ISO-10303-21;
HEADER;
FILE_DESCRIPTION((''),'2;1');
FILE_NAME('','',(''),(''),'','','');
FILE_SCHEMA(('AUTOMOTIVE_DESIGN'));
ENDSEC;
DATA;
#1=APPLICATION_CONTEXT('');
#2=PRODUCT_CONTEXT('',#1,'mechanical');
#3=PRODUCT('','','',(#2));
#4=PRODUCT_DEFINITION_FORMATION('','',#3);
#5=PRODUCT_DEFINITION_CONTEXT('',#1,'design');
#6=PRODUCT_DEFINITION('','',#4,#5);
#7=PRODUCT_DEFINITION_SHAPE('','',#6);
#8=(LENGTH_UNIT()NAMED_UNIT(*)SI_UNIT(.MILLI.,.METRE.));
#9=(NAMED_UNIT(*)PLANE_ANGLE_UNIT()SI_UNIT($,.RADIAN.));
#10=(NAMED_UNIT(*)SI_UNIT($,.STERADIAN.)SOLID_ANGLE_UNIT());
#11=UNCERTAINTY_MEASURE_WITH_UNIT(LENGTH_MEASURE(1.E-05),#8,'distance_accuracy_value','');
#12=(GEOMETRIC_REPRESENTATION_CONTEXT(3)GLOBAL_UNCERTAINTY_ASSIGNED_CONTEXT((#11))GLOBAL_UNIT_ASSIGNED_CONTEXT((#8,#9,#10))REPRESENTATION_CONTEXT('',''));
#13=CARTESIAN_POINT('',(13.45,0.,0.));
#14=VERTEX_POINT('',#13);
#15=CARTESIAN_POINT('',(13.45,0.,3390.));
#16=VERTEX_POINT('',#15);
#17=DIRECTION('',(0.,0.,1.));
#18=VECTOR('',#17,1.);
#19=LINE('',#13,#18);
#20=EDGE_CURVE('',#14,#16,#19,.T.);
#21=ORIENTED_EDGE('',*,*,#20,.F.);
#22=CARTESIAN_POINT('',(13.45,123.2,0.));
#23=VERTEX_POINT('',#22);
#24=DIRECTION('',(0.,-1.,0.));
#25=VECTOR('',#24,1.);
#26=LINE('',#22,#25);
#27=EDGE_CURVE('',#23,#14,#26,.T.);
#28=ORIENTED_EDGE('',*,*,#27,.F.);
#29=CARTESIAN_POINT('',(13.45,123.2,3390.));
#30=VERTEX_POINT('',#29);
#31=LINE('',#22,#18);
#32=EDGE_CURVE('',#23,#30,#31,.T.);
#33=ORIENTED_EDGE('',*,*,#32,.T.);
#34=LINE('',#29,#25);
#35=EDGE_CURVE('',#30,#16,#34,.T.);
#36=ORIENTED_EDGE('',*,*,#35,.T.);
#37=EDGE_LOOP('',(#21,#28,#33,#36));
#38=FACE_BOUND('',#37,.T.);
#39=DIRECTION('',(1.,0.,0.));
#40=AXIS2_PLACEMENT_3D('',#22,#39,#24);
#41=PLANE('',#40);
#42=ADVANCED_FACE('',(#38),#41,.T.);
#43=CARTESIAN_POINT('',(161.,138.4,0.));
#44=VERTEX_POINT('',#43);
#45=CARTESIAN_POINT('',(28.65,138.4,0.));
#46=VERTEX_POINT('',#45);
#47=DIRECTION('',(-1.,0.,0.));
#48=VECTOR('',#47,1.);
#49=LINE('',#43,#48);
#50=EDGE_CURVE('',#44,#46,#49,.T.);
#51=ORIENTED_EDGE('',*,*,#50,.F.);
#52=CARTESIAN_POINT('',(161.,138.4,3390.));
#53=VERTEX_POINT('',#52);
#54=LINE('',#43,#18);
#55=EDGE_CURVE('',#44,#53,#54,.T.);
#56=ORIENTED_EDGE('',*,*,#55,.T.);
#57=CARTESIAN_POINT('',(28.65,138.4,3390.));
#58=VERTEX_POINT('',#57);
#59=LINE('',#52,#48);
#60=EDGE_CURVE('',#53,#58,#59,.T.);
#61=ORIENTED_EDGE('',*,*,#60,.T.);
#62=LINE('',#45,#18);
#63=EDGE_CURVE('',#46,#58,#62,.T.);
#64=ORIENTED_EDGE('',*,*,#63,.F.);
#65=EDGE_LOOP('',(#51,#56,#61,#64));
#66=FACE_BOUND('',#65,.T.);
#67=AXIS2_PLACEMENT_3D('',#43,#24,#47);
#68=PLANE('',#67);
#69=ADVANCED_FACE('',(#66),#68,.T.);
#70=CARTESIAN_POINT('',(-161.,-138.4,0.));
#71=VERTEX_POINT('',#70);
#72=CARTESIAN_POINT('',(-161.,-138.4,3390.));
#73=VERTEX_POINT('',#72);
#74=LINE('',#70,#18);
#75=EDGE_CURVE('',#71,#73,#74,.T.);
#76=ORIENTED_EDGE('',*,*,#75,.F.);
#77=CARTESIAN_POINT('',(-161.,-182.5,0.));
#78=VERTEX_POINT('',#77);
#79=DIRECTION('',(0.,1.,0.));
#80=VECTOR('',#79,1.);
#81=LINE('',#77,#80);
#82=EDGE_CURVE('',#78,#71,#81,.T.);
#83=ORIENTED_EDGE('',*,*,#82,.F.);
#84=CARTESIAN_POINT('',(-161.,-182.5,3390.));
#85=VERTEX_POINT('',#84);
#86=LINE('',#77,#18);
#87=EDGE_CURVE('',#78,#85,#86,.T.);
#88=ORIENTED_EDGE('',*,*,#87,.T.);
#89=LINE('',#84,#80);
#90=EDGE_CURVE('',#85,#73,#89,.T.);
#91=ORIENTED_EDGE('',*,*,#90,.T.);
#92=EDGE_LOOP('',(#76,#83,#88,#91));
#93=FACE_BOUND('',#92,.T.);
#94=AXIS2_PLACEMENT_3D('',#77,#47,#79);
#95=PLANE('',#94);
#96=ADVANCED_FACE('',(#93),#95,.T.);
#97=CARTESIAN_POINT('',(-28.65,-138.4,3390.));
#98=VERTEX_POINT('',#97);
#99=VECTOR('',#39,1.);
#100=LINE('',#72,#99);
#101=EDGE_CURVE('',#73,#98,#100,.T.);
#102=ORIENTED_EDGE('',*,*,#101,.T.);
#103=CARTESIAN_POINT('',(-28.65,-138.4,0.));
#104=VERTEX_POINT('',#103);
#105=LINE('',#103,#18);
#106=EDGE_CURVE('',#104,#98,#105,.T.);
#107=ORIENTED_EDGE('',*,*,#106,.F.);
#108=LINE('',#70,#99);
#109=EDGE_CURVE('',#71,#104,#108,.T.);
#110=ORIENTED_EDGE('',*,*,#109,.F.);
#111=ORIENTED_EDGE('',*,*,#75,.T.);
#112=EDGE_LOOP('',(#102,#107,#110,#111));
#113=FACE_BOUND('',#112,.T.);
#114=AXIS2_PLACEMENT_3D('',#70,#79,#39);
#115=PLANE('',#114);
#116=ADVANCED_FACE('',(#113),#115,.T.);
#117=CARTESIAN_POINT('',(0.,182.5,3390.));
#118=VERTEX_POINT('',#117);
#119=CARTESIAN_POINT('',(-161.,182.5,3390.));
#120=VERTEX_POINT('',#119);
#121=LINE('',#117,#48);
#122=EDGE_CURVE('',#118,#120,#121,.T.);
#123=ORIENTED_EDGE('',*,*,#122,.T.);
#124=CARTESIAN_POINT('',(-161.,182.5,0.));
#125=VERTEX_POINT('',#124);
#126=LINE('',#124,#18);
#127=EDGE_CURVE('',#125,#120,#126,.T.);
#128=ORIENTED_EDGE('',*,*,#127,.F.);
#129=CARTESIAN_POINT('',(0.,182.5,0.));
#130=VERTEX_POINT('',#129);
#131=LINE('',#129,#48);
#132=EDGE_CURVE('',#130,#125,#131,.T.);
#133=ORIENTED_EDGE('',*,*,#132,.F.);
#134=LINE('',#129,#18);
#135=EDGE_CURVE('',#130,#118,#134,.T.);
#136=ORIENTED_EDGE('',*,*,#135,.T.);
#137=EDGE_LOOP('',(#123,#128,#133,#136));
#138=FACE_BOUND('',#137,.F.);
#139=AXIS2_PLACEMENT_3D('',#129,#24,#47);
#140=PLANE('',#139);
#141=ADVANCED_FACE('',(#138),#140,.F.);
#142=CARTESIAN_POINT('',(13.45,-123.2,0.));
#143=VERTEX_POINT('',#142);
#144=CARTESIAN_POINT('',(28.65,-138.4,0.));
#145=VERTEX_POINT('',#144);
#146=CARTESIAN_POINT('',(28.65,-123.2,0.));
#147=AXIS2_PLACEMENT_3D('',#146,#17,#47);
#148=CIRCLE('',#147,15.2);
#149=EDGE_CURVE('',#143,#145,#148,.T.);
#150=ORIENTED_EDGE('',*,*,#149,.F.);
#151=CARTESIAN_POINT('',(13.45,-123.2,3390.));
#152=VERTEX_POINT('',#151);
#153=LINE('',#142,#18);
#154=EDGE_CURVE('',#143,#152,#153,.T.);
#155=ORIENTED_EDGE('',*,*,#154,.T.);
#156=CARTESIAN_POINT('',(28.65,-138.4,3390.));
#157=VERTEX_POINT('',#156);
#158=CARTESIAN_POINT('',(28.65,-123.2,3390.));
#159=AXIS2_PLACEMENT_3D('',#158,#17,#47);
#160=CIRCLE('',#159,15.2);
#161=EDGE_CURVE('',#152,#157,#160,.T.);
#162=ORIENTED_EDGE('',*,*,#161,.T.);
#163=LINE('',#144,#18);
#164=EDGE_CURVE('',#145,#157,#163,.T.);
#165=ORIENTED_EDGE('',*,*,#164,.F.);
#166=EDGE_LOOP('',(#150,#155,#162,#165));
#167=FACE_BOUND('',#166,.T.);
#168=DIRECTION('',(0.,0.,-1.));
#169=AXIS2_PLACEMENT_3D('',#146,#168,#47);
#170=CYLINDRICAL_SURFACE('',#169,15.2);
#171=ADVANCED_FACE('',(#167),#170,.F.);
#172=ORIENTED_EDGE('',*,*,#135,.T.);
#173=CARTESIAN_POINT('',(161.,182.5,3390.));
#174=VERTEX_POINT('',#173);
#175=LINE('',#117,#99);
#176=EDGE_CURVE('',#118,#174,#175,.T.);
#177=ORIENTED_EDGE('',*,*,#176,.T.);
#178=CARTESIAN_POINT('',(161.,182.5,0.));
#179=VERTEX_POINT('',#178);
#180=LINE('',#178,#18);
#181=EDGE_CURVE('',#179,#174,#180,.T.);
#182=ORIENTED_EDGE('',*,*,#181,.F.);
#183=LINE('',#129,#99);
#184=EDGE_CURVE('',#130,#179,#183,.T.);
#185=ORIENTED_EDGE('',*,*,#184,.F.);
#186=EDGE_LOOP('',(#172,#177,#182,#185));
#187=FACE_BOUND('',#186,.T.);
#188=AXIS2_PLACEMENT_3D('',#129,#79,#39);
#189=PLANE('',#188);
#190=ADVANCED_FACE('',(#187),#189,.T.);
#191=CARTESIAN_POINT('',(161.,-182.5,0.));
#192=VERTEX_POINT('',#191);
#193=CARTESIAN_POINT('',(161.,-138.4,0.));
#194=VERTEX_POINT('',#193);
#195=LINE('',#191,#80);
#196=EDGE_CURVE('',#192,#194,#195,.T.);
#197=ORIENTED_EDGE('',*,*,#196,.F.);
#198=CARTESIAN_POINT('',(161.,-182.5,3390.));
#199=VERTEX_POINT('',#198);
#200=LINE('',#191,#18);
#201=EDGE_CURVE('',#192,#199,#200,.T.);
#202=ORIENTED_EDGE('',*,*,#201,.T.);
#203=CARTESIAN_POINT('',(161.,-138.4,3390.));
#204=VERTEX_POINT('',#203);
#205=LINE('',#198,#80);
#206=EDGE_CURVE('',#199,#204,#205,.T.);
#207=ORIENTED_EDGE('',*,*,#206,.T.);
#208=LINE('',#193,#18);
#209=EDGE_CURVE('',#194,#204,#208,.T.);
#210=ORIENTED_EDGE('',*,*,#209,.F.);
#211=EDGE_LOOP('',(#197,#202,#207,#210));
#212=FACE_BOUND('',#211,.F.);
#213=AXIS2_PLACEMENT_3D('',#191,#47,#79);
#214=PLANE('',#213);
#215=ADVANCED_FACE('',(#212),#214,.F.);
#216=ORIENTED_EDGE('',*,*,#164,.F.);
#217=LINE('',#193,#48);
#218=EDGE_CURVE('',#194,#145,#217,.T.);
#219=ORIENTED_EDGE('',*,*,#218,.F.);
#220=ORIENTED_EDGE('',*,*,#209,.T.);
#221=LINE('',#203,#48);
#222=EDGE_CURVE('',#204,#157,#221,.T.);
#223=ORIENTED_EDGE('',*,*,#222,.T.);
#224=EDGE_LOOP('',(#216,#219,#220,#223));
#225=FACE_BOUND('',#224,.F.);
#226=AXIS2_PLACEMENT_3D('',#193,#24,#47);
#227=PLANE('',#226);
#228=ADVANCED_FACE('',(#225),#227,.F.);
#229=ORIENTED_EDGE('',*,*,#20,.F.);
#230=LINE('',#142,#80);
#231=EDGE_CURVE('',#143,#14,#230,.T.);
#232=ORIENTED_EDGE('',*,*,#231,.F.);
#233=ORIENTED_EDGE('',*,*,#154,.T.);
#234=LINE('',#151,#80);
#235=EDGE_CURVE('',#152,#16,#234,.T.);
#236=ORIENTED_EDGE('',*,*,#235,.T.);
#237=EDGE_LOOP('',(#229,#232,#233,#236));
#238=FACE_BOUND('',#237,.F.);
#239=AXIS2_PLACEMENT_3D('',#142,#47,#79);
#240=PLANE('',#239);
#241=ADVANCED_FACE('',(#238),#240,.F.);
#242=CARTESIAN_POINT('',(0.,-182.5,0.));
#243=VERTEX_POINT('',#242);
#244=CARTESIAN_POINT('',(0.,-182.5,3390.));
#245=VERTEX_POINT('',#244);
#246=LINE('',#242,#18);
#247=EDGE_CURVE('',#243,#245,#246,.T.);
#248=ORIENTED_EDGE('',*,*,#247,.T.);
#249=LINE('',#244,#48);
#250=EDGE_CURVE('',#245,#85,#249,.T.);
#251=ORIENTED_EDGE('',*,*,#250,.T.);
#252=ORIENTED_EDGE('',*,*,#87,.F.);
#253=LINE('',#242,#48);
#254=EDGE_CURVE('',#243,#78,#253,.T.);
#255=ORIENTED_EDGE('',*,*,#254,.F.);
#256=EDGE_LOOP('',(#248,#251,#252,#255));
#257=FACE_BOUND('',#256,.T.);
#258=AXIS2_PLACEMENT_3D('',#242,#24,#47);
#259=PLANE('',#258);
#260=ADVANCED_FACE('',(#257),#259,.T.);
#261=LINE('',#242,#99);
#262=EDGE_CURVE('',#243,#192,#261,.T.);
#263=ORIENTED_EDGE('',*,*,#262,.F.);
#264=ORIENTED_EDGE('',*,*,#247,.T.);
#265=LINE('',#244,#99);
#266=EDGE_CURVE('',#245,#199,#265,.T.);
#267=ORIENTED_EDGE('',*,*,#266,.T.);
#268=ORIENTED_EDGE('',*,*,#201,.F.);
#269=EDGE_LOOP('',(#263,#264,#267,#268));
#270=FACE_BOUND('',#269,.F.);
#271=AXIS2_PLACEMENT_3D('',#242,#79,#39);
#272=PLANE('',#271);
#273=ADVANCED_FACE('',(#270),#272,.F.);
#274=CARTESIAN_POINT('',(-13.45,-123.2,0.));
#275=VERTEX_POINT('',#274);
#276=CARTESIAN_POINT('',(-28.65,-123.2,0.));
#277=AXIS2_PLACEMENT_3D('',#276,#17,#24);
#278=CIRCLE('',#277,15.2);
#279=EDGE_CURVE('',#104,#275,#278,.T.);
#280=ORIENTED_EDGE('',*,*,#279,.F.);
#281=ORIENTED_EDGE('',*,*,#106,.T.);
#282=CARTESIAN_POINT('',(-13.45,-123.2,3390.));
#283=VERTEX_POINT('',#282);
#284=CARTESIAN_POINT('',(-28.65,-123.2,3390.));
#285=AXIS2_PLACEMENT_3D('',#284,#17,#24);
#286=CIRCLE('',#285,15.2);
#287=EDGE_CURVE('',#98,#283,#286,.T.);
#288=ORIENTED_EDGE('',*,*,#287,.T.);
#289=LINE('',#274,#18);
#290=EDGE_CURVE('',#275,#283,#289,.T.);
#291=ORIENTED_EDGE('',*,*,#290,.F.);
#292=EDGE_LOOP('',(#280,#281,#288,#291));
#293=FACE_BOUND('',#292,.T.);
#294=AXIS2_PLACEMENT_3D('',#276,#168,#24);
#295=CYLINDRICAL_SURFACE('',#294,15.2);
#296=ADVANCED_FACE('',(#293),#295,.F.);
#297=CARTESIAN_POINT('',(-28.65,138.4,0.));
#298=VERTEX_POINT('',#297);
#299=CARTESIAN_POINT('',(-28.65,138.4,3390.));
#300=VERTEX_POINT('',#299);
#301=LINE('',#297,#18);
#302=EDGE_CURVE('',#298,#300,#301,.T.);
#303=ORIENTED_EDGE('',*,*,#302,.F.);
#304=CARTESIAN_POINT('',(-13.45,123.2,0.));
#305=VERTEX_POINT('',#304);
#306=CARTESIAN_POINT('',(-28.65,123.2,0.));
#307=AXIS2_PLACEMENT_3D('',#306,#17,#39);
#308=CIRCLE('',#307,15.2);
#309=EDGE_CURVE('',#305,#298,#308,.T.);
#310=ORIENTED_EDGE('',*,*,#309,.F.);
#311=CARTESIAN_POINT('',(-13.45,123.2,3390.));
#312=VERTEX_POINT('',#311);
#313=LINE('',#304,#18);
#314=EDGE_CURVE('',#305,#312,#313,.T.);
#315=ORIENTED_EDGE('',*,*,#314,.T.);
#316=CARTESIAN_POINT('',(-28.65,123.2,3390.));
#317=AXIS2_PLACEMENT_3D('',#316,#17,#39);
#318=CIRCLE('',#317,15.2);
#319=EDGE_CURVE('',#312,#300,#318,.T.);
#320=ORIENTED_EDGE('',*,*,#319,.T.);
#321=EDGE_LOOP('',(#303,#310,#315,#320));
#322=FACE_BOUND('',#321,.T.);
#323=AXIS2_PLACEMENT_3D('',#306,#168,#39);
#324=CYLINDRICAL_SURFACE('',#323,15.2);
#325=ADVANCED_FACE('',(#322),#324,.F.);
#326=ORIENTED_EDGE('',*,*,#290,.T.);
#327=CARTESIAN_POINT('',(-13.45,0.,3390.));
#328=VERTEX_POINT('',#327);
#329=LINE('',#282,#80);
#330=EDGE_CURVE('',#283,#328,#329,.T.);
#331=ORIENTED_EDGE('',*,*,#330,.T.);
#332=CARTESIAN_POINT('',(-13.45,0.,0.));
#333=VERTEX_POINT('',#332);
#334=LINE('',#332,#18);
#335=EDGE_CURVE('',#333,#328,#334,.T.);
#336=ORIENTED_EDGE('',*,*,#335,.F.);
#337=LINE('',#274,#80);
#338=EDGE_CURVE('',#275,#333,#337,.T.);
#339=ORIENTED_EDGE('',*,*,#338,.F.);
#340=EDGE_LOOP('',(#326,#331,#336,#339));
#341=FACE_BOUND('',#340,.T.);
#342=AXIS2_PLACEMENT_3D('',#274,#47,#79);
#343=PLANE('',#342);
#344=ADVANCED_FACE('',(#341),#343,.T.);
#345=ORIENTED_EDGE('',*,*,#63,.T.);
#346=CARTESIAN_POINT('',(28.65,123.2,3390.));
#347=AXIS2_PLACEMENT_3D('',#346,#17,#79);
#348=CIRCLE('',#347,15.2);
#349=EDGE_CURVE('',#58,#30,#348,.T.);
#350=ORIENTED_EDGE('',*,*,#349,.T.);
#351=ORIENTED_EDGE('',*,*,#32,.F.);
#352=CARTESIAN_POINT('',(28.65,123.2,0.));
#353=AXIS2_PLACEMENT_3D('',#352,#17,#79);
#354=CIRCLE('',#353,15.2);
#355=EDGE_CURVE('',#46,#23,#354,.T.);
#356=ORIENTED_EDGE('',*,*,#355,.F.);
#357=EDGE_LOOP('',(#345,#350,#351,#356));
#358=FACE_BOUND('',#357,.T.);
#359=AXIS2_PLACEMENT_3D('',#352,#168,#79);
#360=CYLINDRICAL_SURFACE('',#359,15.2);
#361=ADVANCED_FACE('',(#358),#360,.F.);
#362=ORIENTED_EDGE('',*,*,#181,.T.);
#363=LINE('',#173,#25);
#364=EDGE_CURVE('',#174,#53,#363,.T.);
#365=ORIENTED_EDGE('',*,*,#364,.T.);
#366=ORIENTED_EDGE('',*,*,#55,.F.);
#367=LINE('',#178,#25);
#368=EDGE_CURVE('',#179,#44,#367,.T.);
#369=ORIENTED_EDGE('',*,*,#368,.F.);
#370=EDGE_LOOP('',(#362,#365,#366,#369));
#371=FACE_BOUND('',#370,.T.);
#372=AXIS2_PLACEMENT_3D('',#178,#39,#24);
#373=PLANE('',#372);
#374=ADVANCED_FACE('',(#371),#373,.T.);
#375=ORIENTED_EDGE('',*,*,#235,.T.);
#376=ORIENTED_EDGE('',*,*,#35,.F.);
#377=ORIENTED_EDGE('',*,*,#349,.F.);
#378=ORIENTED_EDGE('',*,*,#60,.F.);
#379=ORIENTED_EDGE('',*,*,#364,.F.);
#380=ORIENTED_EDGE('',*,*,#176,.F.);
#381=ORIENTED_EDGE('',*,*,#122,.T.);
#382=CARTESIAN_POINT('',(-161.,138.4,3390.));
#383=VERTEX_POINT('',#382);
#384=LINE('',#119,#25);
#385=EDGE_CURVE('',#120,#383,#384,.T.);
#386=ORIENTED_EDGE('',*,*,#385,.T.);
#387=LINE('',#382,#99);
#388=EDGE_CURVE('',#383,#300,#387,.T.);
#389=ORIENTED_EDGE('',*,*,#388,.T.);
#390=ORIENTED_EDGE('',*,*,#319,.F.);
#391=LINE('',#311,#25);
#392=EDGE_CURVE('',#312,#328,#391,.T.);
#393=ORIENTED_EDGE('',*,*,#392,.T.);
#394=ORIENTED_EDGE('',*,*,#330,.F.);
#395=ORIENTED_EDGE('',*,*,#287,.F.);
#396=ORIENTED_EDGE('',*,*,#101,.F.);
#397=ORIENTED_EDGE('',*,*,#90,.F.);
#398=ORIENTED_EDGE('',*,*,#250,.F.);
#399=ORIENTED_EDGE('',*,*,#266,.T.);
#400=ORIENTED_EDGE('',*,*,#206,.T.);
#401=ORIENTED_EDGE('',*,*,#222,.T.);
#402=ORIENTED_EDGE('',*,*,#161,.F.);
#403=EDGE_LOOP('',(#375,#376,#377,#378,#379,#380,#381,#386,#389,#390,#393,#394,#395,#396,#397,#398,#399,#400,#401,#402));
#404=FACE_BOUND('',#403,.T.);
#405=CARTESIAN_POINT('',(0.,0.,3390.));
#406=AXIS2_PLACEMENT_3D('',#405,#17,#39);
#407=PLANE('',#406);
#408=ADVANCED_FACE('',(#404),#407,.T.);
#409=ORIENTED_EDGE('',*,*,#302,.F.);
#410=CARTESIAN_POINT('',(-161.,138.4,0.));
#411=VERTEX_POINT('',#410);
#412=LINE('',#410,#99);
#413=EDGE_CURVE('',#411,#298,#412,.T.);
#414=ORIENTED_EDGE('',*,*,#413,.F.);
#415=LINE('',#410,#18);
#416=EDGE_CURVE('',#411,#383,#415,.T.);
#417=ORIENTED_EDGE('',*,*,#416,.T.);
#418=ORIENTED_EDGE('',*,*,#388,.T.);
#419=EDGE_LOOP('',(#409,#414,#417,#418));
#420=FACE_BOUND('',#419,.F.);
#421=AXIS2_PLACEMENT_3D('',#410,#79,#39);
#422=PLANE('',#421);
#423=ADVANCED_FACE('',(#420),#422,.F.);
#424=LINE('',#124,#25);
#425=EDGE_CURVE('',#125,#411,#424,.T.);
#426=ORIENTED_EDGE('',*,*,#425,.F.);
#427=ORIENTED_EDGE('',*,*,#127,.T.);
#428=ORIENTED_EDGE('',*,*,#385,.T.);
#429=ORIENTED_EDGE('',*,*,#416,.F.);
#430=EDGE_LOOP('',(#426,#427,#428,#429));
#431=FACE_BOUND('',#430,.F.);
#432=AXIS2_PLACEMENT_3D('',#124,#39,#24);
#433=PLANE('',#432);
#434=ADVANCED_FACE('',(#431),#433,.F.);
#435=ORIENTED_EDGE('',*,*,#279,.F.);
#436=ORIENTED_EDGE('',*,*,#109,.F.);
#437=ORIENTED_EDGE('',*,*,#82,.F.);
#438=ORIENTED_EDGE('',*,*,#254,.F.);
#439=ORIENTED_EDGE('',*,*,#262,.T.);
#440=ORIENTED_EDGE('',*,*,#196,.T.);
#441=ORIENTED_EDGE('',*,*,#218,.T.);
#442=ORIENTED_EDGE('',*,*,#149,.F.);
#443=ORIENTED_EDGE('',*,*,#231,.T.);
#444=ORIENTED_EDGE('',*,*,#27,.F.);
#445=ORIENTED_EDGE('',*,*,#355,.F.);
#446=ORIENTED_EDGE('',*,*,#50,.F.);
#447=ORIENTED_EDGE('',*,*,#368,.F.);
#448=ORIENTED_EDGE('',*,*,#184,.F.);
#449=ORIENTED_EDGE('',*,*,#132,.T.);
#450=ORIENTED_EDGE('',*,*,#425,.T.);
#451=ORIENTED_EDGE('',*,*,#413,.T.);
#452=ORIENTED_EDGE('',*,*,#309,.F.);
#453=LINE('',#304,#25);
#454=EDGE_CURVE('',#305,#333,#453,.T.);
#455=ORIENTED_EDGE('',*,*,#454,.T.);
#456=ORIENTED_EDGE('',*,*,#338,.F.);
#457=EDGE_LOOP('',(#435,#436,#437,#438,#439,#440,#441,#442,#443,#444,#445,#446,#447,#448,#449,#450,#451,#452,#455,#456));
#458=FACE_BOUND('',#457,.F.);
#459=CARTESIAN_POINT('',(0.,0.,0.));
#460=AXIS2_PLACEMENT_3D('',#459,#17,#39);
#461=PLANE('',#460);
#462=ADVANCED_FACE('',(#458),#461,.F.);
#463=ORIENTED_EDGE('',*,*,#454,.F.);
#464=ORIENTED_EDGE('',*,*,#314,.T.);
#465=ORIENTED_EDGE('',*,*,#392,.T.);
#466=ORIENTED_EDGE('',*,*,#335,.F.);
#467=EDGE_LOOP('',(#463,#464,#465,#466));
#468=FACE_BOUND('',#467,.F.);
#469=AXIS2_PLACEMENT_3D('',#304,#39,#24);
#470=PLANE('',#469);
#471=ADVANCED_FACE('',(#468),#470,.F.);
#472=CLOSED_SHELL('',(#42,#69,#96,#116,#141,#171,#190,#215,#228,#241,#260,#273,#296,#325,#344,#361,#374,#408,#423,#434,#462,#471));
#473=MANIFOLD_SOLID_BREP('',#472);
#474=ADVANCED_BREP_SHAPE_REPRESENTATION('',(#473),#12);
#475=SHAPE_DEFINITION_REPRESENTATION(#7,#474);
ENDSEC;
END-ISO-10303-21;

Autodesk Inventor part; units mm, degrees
ref_plane "YZ Plane" through (0, 0, 0) normal (1, 0, 0) x (0, 1, 0)
ref_plane "Start plane" through (0, 0, 0) normal (0, 0, 1) x (1, 0, 0)
ref_plane "End plane" through (0, 0, 3390) normal (0, 0, 1) x (1, 0, 0)
sketch "Sketch" plane through (0, 0, 0) normal (0, 0, 1) x (1, 0, 0)
  line L0 (-161, -182.5) -> (-161, -138.4)
  line L1 (-161, -138.4) -> (-28.65, -138.4)
  line L2 (-13.45, -123.2) -> (-13.45, 0)
  line L3 (-13.45, 0) -> (0, 0) construction
  line L4 (0, 0) -> (0, -182.5) construction
  line L5 (0, -182.5) -> (-161, -182.5)
  line L6 (-60, 0) -> (80, 0) construction
  line L7 (0, -60) -> (0, 80) construction
  line L8 (161, -182.5) -> (161, -138.4)
  line L9 (161, -138.4) -> (28.65, -138.4)
  line L10 (13.45, -123.2) -> (13.45, 0)
  line L11 (13.45, 0) -> (0, 0) construction
  line L12 (0, -182.5) -> (161, -182.5)
  line L13 (-161, 182.5) -> (-161, 138.4)
  line L14 (-161, 138.4) -> (-28.65, 138.4)
  line L15 (-13.45, 123.2) -> (-13.45, 0)
  line L16 (0, 182.5) -> (-161, 182.5)
  line L17 (161, 182.5) -> (161, 138.4)
  line L18 (161, 138.4) -> (28.65, 138.4)
  line L19 (0, 182.5) -> (161, 182.5)
  line L20 (13.45, 123.2) -> (13.45, 0)
  arc A0 (-13.45, 123.2) -> (-28.65, 138.4) centre (-28.65, 123.2) ccw
  arc A1 (28.65, 138.4) -> (13.45, 123.2) centre (28.65, 123.2) ccw
  arc A2 (13.45, -123.2) -> (28.65, -138.4) centre (28.65, -123.2) ccw
  arc A3 (-28.65, -138.4) -> (-13.45, -123.2) centre (-28.65, -123.2) ccw
  line L21 (0, 108) -> (0, -88) construction
  line L22 (-88, 0) -> (108, 0) construction
  point P0 (-13.45, -138.4)
  point P1 (13.45, -138.4)
  point P2 (-13.45, 138.4)
  point P3 (13.45, 138.4)
  dimension "d1" = 182.5
  dimension "d2" = 44.1
  dimension "d3" = 161
  dimension "d4" = 13.45
  dimension "d10" = 15.2
extrude "Body" add sketch "Sketch" along normal up to surface (3390 mm away) from surface at 0
sketch "Sketch4" plane through (0, 0, 0) normal (0, 0, 1) x (1, 0, 0)
  line L0 (0, 0) -> (10, 0)
ref_plane "Work Plane3" through (0, 0, 0) normal (0, -1, 0) x (1, 0, 0)
sketch "Sketch5" plane through (0, 0, 0) normal (0, -1, 0) x (1, 0, 0)
  line L0 (-2, 0) -> (12, 0) projected
  line L1 (-2, 3390) -> (12, 3390) projected
  dimension "d14" = 3390
equation "\"d1\" = 0.5 * G_H"
equation "\"d2\" = G_T1"
equation "\"d3\" = 0.5 * G_W"
equation "\"d4\" = 0.5 * G_T"
equation "\"d10\" = G_IR"
equation "\"d5\" = G_L"
equation "\"G_W\" = 322"
equation "\"G_H\" = 365"
equation "\"G_T\" = 26.9"
equation "\"G_T1\" = 44.1"
equation "\"G_IR\" = 15.2"
equation "\"G_L\" = d14"
equation "\"G_OFFSET_START\" = 0"
equation "\"G_OFFSET_END\" = 0"
properties part number "AS 3679 - 310 UC - 283 - 3390" material "Steel, Mild"
